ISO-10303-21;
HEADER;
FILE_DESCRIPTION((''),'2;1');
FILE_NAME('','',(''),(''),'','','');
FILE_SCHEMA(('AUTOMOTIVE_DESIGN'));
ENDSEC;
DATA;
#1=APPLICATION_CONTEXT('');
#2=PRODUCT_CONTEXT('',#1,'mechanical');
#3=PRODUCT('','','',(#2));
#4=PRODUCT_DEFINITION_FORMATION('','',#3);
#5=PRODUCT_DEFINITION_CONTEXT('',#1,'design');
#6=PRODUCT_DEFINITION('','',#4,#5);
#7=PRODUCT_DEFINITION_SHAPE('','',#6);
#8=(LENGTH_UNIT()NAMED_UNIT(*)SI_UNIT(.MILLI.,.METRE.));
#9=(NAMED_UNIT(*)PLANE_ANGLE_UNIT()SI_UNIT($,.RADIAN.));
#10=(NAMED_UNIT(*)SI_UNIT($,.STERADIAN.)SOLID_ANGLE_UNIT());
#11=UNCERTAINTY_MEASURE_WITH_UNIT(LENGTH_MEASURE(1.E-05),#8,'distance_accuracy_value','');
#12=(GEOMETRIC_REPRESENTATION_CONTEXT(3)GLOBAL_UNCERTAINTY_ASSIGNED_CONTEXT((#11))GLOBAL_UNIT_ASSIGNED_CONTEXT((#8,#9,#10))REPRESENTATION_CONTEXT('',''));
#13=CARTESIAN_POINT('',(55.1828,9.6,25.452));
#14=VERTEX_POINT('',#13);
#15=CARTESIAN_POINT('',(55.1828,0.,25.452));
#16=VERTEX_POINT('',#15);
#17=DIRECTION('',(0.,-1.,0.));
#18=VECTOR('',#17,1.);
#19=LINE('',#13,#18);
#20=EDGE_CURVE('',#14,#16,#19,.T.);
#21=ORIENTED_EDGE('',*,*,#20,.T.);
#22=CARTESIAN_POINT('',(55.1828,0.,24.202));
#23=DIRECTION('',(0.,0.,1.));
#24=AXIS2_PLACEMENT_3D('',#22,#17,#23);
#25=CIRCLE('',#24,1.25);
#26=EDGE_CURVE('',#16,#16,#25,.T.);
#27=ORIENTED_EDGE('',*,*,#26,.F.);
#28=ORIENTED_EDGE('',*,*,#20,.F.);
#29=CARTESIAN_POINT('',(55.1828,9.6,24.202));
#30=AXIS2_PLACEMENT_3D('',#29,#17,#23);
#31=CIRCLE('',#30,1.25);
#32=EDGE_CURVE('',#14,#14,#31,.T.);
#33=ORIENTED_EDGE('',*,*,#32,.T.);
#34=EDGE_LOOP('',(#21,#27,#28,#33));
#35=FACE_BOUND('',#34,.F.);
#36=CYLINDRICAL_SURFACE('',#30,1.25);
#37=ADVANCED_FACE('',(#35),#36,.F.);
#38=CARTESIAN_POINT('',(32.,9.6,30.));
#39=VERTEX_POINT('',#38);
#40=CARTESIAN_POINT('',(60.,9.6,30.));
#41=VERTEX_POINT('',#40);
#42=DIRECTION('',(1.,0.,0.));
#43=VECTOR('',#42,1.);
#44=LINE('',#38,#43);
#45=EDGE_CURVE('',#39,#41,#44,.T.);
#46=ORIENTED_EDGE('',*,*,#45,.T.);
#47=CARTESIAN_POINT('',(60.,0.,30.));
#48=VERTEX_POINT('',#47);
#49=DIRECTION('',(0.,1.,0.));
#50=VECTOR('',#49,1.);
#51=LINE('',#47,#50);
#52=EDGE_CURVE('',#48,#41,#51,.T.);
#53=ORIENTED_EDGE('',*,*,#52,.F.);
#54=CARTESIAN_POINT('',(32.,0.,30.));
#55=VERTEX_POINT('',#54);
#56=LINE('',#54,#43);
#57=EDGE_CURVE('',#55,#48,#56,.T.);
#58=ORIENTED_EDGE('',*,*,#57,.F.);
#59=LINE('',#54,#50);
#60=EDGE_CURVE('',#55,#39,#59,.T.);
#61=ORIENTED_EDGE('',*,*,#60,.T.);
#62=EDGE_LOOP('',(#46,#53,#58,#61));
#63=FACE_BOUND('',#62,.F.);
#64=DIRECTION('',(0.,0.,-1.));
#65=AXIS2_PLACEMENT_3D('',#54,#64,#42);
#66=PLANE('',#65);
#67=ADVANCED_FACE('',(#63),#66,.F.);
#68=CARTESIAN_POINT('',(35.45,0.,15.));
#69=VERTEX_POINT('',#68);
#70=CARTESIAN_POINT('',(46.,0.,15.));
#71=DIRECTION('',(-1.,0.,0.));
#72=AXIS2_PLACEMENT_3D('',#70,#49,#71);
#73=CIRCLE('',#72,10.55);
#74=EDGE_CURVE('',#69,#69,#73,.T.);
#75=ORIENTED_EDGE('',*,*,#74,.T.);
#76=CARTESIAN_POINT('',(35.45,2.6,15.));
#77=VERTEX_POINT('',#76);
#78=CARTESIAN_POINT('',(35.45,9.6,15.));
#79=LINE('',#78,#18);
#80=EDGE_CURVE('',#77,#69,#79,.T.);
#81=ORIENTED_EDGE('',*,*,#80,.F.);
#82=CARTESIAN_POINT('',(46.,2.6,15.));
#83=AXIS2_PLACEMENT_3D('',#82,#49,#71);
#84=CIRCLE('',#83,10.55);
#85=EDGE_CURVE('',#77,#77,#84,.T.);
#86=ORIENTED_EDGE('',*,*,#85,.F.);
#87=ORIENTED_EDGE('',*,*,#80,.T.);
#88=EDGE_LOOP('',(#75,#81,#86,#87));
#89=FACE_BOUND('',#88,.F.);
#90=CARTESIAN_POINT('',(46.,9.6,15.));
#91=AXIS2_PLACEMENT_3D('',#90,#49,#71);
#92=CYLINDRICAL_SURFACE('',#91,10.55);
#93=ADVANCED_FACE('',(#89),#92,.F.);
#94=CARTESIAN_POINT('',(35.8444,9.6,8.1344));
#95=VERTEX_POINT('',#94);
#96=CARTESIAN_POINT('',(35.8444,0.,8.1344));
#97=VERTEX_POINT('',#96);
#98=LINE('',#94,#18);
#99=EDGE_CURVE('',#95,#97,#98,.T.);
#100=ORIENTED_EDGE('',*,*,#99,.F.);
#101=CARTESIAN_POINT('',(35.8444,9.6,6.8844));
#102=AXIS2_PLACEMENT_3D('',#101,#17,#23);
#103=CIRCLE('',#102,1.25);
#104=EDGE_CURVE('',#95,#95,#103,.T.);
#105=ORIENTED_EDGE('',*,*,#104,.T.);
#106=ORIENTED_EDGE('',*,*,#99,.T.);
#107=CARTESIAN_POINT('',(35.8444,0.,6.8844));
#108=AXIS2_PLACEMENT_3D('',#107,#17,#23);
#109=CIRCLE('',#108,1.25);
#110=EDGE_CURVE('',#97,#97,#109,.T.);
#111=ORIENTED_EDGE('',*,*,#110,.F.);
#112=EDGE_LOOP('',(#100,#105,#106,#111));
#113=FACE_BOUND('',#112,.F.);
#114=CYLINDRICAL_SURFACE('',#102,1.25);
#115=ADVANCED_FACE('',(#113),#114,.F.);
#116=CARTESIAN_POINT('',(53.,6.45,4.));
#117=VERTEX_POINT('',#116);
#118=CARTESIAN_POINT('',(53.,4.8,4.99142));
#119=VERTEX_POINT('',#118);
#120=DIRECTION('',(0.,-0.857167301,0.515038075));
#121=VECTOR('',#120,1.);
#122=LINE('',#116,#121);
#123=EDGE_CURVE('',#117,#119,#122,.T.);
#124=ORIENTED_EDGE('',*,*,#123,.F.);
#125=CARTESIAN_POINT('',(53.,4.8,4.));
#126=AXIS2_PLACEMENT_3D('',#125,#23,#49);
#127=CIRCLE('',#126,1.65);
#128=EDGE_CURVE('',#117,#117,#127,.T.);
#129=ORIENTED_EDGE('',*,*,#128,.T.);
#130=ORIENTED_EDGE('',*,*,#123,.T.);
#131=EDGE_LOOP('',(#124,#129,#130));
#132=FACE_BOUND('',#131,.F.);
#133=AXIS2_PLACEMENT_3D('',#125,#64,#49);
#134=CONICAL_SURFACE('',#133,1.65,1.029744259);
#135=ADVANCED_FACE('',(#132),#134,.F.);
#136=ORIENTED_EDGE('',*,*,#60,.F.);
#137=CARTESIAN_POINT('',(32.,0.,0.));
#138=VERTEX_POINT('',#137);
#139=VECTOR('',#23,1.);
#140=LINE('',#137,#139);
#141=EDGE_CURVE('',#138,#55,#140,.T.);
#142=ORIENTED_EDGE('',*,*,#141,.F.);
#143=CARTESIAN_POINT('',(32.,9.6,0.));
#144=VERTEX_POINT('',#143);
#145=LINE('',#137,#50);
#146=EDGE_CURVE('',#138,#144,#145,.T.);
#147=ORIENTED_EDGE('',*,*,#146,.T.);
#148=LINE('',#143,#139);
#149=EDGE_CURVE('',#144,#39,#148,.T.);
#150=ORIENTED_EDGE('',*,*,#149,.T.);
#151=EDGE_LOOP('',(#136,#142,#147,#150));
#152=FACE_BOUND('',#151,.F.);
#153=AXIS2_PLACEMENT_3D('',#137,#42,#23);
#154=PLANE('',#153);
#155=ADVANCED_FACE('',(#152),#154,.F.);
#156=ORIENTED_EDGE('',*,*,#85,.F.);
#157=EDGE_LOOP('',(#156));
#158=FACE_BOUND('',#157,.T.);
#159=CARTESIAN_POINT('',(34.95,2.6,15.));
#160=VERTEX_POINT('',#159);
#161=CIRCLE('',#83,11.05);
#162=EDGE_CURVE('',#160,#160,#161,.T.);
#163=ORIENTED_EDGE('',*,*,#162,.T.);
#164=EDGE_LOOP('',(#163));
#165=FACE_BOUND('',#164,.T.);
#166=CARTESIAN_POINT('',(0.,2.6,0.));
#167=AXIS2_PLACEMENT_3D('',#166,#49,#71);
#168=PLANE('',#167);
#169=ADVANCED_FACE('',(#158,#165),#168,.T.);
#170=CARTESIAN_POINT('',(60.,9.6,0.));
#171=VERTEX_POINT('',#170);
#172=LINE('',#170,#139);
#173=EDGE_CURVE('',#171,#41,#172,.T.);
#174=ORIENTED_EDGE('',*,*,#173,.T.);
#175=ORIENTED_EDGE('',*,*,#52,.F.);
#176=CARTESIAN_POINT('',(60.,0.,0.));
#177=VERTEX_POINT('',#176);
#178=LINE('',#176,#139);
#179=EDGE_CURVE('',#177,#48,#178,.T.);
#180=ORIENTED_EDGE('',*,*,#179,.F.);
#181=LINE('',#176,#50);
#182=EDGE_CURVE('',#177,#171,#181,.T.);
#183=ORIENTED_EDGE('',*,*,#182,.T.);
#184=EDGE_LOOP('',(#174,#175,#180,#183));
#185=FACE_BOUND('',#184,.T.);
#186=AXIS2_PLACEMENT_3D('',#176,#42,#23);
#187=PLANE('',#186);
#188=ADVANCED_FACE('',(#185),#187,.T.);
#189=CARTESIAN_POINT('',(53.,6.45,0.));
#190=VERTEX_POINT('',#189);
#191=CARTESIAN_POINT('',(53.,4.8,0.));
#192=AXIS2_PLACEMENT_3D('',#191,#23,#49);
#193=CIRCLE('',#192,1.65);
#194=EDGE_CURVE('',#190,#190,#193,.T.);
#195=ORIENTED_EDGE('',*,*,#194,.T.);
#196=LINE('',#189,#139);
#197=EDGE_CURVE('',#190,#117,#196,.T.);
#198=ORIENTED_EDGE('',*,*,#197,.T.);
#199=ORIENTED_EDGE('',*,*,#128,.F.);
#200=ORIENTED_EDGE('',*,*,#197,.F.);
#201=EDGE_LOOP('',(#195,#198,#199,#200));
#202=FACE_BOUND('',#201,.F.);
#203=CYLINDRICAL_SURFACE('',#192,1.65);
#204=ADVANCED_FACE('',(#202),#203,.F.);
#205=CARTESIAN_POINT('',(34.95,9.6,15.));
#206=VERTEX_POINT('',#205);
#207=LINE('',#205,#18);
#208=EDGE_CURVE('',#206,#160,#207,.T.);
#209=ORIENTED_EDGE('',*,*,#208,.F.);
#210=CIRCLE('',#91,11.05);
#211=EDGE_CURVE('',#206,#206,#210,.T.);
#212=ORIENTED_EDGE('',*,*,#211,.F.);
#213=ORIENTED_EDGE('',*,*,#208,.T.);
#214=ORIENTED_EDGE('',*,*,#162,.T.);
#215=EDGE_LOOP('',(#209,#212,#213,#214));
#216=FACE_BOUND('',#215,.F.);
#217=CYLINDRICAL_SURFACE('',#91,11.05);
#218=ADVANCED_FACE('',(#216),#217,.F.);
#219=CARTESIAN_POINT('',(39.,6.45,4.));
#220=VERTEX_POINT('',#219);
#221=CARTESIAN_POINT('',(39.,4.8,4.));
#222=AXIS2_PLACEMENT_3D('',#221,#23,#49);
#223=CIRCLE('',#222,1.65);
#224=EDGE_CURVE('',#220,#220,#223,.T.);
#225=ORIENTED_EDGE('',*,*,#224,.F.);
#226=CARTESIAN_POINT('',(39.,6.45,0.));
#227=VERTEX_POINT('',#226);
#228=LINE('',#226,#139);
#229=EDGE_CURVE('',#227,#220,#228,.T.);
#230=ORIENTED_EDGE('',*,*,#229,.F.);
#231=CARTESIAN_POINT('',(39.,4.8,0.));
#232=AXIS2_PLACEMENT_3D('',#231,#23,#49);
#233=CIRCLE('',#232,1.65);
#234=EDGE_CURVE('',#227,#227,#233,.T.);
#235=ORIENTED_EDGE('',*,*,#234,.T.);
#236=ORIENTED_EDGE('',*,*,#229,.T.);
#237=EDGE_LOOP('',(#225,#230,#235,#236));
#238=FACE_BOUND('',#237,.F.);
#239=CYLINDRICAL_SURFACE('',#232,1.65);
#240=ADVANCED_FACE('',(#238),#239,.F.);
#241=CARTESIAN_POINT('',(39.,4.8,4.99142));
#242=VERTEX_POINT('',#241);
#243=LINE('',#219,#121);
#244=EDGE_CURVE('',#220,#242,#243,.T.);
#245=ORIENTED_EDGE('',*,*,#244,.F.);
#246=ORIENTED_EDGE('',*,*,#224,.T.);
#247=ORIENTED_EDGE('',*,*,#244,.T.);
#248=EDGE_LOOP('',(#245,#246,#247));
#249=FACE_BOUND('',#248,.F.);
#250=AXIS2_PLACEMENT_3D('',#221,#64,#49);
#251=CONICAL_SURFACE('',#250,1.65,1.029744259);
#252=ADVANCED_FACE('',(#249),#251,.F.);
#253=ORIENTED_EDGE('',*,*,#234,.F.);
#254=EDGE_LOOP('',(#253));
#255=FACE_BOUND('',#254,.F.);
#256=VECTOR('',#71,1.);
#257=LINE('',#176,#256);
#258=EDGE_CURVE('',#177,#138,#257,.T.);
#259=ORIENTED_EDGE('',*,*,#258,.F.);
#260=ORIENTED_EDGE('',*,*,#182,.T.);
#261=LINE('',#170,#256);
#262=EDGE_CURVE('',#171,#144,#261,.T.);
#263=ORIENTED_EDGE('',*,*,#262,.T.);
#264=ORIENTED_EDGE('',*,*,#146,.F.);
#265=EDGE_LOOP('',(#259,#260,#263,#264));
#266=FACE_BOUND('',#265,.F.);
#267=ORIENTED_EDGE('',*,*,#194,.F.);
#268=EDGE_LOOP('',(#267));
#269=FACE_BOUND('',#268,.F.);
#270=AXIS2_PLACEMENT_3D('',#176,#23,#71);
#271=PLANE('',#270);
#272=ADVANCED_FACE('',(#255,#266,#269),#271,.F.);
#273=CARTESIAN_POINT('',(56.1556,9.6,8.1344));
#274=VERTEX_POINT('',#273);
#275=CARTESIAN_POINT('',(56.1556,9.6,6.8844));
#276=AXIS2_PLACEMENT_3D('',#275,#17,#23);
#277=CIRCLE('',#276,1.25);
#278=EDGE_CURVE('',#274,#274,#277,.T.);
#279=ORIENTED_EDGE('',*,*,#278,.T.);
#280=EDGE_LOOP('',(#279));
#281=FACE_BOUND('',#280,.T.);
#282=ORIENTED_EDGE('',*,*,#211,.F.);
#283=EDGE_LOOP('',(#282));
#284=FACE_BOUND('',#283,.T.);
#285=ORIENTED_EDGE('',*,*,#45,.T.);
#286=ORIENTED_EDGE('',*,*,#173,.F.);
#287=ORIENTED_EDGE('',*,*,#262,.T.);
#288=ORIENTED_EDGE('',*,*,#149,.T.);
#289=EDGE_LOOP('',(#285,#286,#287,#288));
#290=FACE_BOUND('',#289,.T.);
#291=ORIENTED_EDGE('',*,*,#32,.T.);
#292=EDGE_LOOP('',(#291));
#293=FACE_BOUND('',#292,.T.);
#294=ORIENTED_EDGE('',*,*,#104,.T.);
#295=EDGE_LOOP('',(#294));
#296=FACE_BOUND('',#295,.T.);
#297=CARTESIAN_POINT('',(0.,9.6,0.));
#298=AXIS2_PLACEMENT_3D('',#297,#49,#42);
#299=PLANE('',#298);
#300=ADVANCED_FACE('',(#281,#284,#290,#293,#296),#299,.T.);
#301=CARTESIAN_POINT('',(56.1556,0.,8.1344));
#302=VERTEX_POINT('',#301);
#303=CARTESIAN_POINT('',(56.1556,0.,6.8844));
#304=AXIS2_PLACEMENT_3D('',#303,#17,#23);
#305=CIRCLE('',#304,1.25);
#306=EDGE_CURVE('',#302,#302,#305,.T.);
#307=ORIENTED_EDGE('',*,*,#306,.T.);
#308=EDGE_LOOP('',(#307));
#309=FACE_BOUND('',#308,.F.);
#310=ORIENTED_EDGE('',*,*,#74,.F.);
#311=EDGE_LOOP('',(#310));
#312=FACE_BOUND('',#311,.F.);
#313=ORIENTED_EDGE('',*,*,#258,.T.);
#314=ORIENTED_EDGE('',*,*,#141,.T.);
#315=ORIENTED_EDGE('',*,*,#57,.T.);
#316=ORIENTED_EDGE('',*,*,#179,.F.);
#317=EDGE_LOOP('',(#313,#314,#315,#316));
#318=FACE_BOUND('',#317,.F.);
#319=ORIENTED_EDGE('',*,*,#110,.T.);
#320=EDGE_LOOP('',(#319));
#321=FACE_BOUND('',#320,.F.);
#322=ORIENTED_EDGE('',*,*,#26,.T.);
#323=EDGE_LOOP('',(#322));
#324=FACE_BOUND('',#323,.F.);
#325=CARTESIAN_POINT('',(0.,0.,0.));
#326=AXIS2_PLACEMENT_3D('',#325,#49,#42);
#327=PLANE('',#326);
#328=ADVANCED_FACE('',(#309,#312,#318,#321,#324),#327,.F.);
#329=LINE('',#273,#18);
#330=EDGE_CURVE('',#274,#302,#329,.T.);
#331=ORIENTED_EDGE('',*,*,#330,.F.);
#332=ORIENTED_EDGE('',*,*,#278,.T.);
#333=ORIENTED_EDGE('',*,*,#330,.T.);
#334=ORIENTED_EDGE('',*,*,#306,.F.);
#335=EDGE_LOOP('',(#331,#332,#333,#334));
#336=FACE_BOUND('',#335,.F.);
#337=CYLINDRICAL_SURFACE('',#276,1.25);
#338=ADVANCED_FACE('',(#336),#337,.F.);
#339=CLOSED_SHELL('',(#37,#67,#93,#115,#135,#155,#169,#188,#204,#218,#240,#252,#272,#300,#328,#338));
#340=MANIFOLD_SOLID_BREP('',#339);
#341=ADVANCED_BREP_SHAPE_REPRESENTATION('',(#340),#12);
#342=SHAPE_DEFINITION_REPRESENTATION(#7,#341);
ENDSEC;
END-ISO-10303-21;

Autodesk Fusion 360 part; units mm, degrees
sketch "Sketch1" plane through (0, 0, 0) normal (0, 1, 0) x (1, 0, 0)
  line L0 (60, 0) -> (60, -30)
  line L1 (0, -15) -> (60, -15) construction
  line L2 (32, 0) -> (32, -30) construction
  line L3 (46, 0) -> (46, -30) construction
  line L4 (60, 0) -> (32, 0)
  line L5 (32, 0) -> (32, -30)
  line L6 (32, -30) -> (60, -30)
  line L7 (60, -30) -> (60, 0)
  dimension "d39" = 14
  dimension "d40" = 28
  dimension "d42" = 30
extrude "Extrude1" add sketch "Sketch1" along normal blind 9.6
sketch "Sketch2" plane through (0, 9.6, 0) normal (0, 1, 0) x (-1, 0, 0)
  line L0 (-60, 30) -> (-60, 0)
  circle A0 centre (-46, 15) radius 11.05
  circle A1 centre (-46, 15) radius 10.55
  line L1 (-60, 0) -> (-32, 0)
  line L2 (-32, 0) -> (-32, 30)
  line L3 (-32, 30) -> (-60, 30)
  dimension "d15" = 22.1
  dimension "d16" = 21.1
extrude "Extrude2" cut sketch "Sketch2" against normal blind 7 contours A0
extrude "Extrude3" cut 1 faces at (43.0944, 9.6, 14.0673) along direction (0, 1, 0) through all and the other way through all
sketch "Sketch3" plane through (0, 9.6, 0) normal (0, 1, 0) x (-1, 0, 0)
  line L0 (-60, 30) -> (-60, 0)
  circle A0 centre (-46, 15) radius 13 construction
  line L1 (-32, 30) -> (-60, 30)
  line L2 (-60, 0) -> (-32, 0)
  line L3 (-32, 0) -> (-32, 30)
  circle A1 centre (-46, 15) radius 11.05
  point P0 (-35.8444, 6.8844)
  point P1 (-55.1828, 24.202)
  point P2 (-56.1556, 6.8844)
  dimension "d30" = 26
hole "Hole1" at (35.8444, 9.6, 6.8844) direction (0, -1, 0) diameter 2.5 end through all
hole "Hole2" at (56.1556, 9.6, 6.8844) direction (0, -1, 0) diameter 2.5 end through all
hole "Hole3" at (55.1828, 9.6, 24.202) direction (0, -1, 0) diameter 2.5 end through all
sketch "Sketch4" plane through (0, 0, 0) normal (0, 0, -1) x (-1, 0, 0)
  line L0 (-60, 0) -> (-32, 0)
  line L1 (-32, 0) -> (-32, 9.6)
  line L2 (-32, 9.6) -> (-60, 9.6)
  line L3 (-60, 9.6) -> (-60, 0)
  line L4 (-32, 4.8) -> (-60, 4.8) construction
  line L5 (-39, 0) -> (-39, 9.6) construction
  line L6 (-53, 0) -> (-53, 9.6) construction
  point P0 (-39, 4.8)
  point P1 (-53, 4.8)
  dimension "d43" = 14
  dimension "d44" = 7
hole "Hole4" at (39, 4.8, 0) direction (0, 0, 1) diameter 3.3 depth 4 tip angle 118
hole "Hole5" at (53, 4.8, 0) direction (0, 0, 1) diameter 3.3 depth 4 tip angle 118
